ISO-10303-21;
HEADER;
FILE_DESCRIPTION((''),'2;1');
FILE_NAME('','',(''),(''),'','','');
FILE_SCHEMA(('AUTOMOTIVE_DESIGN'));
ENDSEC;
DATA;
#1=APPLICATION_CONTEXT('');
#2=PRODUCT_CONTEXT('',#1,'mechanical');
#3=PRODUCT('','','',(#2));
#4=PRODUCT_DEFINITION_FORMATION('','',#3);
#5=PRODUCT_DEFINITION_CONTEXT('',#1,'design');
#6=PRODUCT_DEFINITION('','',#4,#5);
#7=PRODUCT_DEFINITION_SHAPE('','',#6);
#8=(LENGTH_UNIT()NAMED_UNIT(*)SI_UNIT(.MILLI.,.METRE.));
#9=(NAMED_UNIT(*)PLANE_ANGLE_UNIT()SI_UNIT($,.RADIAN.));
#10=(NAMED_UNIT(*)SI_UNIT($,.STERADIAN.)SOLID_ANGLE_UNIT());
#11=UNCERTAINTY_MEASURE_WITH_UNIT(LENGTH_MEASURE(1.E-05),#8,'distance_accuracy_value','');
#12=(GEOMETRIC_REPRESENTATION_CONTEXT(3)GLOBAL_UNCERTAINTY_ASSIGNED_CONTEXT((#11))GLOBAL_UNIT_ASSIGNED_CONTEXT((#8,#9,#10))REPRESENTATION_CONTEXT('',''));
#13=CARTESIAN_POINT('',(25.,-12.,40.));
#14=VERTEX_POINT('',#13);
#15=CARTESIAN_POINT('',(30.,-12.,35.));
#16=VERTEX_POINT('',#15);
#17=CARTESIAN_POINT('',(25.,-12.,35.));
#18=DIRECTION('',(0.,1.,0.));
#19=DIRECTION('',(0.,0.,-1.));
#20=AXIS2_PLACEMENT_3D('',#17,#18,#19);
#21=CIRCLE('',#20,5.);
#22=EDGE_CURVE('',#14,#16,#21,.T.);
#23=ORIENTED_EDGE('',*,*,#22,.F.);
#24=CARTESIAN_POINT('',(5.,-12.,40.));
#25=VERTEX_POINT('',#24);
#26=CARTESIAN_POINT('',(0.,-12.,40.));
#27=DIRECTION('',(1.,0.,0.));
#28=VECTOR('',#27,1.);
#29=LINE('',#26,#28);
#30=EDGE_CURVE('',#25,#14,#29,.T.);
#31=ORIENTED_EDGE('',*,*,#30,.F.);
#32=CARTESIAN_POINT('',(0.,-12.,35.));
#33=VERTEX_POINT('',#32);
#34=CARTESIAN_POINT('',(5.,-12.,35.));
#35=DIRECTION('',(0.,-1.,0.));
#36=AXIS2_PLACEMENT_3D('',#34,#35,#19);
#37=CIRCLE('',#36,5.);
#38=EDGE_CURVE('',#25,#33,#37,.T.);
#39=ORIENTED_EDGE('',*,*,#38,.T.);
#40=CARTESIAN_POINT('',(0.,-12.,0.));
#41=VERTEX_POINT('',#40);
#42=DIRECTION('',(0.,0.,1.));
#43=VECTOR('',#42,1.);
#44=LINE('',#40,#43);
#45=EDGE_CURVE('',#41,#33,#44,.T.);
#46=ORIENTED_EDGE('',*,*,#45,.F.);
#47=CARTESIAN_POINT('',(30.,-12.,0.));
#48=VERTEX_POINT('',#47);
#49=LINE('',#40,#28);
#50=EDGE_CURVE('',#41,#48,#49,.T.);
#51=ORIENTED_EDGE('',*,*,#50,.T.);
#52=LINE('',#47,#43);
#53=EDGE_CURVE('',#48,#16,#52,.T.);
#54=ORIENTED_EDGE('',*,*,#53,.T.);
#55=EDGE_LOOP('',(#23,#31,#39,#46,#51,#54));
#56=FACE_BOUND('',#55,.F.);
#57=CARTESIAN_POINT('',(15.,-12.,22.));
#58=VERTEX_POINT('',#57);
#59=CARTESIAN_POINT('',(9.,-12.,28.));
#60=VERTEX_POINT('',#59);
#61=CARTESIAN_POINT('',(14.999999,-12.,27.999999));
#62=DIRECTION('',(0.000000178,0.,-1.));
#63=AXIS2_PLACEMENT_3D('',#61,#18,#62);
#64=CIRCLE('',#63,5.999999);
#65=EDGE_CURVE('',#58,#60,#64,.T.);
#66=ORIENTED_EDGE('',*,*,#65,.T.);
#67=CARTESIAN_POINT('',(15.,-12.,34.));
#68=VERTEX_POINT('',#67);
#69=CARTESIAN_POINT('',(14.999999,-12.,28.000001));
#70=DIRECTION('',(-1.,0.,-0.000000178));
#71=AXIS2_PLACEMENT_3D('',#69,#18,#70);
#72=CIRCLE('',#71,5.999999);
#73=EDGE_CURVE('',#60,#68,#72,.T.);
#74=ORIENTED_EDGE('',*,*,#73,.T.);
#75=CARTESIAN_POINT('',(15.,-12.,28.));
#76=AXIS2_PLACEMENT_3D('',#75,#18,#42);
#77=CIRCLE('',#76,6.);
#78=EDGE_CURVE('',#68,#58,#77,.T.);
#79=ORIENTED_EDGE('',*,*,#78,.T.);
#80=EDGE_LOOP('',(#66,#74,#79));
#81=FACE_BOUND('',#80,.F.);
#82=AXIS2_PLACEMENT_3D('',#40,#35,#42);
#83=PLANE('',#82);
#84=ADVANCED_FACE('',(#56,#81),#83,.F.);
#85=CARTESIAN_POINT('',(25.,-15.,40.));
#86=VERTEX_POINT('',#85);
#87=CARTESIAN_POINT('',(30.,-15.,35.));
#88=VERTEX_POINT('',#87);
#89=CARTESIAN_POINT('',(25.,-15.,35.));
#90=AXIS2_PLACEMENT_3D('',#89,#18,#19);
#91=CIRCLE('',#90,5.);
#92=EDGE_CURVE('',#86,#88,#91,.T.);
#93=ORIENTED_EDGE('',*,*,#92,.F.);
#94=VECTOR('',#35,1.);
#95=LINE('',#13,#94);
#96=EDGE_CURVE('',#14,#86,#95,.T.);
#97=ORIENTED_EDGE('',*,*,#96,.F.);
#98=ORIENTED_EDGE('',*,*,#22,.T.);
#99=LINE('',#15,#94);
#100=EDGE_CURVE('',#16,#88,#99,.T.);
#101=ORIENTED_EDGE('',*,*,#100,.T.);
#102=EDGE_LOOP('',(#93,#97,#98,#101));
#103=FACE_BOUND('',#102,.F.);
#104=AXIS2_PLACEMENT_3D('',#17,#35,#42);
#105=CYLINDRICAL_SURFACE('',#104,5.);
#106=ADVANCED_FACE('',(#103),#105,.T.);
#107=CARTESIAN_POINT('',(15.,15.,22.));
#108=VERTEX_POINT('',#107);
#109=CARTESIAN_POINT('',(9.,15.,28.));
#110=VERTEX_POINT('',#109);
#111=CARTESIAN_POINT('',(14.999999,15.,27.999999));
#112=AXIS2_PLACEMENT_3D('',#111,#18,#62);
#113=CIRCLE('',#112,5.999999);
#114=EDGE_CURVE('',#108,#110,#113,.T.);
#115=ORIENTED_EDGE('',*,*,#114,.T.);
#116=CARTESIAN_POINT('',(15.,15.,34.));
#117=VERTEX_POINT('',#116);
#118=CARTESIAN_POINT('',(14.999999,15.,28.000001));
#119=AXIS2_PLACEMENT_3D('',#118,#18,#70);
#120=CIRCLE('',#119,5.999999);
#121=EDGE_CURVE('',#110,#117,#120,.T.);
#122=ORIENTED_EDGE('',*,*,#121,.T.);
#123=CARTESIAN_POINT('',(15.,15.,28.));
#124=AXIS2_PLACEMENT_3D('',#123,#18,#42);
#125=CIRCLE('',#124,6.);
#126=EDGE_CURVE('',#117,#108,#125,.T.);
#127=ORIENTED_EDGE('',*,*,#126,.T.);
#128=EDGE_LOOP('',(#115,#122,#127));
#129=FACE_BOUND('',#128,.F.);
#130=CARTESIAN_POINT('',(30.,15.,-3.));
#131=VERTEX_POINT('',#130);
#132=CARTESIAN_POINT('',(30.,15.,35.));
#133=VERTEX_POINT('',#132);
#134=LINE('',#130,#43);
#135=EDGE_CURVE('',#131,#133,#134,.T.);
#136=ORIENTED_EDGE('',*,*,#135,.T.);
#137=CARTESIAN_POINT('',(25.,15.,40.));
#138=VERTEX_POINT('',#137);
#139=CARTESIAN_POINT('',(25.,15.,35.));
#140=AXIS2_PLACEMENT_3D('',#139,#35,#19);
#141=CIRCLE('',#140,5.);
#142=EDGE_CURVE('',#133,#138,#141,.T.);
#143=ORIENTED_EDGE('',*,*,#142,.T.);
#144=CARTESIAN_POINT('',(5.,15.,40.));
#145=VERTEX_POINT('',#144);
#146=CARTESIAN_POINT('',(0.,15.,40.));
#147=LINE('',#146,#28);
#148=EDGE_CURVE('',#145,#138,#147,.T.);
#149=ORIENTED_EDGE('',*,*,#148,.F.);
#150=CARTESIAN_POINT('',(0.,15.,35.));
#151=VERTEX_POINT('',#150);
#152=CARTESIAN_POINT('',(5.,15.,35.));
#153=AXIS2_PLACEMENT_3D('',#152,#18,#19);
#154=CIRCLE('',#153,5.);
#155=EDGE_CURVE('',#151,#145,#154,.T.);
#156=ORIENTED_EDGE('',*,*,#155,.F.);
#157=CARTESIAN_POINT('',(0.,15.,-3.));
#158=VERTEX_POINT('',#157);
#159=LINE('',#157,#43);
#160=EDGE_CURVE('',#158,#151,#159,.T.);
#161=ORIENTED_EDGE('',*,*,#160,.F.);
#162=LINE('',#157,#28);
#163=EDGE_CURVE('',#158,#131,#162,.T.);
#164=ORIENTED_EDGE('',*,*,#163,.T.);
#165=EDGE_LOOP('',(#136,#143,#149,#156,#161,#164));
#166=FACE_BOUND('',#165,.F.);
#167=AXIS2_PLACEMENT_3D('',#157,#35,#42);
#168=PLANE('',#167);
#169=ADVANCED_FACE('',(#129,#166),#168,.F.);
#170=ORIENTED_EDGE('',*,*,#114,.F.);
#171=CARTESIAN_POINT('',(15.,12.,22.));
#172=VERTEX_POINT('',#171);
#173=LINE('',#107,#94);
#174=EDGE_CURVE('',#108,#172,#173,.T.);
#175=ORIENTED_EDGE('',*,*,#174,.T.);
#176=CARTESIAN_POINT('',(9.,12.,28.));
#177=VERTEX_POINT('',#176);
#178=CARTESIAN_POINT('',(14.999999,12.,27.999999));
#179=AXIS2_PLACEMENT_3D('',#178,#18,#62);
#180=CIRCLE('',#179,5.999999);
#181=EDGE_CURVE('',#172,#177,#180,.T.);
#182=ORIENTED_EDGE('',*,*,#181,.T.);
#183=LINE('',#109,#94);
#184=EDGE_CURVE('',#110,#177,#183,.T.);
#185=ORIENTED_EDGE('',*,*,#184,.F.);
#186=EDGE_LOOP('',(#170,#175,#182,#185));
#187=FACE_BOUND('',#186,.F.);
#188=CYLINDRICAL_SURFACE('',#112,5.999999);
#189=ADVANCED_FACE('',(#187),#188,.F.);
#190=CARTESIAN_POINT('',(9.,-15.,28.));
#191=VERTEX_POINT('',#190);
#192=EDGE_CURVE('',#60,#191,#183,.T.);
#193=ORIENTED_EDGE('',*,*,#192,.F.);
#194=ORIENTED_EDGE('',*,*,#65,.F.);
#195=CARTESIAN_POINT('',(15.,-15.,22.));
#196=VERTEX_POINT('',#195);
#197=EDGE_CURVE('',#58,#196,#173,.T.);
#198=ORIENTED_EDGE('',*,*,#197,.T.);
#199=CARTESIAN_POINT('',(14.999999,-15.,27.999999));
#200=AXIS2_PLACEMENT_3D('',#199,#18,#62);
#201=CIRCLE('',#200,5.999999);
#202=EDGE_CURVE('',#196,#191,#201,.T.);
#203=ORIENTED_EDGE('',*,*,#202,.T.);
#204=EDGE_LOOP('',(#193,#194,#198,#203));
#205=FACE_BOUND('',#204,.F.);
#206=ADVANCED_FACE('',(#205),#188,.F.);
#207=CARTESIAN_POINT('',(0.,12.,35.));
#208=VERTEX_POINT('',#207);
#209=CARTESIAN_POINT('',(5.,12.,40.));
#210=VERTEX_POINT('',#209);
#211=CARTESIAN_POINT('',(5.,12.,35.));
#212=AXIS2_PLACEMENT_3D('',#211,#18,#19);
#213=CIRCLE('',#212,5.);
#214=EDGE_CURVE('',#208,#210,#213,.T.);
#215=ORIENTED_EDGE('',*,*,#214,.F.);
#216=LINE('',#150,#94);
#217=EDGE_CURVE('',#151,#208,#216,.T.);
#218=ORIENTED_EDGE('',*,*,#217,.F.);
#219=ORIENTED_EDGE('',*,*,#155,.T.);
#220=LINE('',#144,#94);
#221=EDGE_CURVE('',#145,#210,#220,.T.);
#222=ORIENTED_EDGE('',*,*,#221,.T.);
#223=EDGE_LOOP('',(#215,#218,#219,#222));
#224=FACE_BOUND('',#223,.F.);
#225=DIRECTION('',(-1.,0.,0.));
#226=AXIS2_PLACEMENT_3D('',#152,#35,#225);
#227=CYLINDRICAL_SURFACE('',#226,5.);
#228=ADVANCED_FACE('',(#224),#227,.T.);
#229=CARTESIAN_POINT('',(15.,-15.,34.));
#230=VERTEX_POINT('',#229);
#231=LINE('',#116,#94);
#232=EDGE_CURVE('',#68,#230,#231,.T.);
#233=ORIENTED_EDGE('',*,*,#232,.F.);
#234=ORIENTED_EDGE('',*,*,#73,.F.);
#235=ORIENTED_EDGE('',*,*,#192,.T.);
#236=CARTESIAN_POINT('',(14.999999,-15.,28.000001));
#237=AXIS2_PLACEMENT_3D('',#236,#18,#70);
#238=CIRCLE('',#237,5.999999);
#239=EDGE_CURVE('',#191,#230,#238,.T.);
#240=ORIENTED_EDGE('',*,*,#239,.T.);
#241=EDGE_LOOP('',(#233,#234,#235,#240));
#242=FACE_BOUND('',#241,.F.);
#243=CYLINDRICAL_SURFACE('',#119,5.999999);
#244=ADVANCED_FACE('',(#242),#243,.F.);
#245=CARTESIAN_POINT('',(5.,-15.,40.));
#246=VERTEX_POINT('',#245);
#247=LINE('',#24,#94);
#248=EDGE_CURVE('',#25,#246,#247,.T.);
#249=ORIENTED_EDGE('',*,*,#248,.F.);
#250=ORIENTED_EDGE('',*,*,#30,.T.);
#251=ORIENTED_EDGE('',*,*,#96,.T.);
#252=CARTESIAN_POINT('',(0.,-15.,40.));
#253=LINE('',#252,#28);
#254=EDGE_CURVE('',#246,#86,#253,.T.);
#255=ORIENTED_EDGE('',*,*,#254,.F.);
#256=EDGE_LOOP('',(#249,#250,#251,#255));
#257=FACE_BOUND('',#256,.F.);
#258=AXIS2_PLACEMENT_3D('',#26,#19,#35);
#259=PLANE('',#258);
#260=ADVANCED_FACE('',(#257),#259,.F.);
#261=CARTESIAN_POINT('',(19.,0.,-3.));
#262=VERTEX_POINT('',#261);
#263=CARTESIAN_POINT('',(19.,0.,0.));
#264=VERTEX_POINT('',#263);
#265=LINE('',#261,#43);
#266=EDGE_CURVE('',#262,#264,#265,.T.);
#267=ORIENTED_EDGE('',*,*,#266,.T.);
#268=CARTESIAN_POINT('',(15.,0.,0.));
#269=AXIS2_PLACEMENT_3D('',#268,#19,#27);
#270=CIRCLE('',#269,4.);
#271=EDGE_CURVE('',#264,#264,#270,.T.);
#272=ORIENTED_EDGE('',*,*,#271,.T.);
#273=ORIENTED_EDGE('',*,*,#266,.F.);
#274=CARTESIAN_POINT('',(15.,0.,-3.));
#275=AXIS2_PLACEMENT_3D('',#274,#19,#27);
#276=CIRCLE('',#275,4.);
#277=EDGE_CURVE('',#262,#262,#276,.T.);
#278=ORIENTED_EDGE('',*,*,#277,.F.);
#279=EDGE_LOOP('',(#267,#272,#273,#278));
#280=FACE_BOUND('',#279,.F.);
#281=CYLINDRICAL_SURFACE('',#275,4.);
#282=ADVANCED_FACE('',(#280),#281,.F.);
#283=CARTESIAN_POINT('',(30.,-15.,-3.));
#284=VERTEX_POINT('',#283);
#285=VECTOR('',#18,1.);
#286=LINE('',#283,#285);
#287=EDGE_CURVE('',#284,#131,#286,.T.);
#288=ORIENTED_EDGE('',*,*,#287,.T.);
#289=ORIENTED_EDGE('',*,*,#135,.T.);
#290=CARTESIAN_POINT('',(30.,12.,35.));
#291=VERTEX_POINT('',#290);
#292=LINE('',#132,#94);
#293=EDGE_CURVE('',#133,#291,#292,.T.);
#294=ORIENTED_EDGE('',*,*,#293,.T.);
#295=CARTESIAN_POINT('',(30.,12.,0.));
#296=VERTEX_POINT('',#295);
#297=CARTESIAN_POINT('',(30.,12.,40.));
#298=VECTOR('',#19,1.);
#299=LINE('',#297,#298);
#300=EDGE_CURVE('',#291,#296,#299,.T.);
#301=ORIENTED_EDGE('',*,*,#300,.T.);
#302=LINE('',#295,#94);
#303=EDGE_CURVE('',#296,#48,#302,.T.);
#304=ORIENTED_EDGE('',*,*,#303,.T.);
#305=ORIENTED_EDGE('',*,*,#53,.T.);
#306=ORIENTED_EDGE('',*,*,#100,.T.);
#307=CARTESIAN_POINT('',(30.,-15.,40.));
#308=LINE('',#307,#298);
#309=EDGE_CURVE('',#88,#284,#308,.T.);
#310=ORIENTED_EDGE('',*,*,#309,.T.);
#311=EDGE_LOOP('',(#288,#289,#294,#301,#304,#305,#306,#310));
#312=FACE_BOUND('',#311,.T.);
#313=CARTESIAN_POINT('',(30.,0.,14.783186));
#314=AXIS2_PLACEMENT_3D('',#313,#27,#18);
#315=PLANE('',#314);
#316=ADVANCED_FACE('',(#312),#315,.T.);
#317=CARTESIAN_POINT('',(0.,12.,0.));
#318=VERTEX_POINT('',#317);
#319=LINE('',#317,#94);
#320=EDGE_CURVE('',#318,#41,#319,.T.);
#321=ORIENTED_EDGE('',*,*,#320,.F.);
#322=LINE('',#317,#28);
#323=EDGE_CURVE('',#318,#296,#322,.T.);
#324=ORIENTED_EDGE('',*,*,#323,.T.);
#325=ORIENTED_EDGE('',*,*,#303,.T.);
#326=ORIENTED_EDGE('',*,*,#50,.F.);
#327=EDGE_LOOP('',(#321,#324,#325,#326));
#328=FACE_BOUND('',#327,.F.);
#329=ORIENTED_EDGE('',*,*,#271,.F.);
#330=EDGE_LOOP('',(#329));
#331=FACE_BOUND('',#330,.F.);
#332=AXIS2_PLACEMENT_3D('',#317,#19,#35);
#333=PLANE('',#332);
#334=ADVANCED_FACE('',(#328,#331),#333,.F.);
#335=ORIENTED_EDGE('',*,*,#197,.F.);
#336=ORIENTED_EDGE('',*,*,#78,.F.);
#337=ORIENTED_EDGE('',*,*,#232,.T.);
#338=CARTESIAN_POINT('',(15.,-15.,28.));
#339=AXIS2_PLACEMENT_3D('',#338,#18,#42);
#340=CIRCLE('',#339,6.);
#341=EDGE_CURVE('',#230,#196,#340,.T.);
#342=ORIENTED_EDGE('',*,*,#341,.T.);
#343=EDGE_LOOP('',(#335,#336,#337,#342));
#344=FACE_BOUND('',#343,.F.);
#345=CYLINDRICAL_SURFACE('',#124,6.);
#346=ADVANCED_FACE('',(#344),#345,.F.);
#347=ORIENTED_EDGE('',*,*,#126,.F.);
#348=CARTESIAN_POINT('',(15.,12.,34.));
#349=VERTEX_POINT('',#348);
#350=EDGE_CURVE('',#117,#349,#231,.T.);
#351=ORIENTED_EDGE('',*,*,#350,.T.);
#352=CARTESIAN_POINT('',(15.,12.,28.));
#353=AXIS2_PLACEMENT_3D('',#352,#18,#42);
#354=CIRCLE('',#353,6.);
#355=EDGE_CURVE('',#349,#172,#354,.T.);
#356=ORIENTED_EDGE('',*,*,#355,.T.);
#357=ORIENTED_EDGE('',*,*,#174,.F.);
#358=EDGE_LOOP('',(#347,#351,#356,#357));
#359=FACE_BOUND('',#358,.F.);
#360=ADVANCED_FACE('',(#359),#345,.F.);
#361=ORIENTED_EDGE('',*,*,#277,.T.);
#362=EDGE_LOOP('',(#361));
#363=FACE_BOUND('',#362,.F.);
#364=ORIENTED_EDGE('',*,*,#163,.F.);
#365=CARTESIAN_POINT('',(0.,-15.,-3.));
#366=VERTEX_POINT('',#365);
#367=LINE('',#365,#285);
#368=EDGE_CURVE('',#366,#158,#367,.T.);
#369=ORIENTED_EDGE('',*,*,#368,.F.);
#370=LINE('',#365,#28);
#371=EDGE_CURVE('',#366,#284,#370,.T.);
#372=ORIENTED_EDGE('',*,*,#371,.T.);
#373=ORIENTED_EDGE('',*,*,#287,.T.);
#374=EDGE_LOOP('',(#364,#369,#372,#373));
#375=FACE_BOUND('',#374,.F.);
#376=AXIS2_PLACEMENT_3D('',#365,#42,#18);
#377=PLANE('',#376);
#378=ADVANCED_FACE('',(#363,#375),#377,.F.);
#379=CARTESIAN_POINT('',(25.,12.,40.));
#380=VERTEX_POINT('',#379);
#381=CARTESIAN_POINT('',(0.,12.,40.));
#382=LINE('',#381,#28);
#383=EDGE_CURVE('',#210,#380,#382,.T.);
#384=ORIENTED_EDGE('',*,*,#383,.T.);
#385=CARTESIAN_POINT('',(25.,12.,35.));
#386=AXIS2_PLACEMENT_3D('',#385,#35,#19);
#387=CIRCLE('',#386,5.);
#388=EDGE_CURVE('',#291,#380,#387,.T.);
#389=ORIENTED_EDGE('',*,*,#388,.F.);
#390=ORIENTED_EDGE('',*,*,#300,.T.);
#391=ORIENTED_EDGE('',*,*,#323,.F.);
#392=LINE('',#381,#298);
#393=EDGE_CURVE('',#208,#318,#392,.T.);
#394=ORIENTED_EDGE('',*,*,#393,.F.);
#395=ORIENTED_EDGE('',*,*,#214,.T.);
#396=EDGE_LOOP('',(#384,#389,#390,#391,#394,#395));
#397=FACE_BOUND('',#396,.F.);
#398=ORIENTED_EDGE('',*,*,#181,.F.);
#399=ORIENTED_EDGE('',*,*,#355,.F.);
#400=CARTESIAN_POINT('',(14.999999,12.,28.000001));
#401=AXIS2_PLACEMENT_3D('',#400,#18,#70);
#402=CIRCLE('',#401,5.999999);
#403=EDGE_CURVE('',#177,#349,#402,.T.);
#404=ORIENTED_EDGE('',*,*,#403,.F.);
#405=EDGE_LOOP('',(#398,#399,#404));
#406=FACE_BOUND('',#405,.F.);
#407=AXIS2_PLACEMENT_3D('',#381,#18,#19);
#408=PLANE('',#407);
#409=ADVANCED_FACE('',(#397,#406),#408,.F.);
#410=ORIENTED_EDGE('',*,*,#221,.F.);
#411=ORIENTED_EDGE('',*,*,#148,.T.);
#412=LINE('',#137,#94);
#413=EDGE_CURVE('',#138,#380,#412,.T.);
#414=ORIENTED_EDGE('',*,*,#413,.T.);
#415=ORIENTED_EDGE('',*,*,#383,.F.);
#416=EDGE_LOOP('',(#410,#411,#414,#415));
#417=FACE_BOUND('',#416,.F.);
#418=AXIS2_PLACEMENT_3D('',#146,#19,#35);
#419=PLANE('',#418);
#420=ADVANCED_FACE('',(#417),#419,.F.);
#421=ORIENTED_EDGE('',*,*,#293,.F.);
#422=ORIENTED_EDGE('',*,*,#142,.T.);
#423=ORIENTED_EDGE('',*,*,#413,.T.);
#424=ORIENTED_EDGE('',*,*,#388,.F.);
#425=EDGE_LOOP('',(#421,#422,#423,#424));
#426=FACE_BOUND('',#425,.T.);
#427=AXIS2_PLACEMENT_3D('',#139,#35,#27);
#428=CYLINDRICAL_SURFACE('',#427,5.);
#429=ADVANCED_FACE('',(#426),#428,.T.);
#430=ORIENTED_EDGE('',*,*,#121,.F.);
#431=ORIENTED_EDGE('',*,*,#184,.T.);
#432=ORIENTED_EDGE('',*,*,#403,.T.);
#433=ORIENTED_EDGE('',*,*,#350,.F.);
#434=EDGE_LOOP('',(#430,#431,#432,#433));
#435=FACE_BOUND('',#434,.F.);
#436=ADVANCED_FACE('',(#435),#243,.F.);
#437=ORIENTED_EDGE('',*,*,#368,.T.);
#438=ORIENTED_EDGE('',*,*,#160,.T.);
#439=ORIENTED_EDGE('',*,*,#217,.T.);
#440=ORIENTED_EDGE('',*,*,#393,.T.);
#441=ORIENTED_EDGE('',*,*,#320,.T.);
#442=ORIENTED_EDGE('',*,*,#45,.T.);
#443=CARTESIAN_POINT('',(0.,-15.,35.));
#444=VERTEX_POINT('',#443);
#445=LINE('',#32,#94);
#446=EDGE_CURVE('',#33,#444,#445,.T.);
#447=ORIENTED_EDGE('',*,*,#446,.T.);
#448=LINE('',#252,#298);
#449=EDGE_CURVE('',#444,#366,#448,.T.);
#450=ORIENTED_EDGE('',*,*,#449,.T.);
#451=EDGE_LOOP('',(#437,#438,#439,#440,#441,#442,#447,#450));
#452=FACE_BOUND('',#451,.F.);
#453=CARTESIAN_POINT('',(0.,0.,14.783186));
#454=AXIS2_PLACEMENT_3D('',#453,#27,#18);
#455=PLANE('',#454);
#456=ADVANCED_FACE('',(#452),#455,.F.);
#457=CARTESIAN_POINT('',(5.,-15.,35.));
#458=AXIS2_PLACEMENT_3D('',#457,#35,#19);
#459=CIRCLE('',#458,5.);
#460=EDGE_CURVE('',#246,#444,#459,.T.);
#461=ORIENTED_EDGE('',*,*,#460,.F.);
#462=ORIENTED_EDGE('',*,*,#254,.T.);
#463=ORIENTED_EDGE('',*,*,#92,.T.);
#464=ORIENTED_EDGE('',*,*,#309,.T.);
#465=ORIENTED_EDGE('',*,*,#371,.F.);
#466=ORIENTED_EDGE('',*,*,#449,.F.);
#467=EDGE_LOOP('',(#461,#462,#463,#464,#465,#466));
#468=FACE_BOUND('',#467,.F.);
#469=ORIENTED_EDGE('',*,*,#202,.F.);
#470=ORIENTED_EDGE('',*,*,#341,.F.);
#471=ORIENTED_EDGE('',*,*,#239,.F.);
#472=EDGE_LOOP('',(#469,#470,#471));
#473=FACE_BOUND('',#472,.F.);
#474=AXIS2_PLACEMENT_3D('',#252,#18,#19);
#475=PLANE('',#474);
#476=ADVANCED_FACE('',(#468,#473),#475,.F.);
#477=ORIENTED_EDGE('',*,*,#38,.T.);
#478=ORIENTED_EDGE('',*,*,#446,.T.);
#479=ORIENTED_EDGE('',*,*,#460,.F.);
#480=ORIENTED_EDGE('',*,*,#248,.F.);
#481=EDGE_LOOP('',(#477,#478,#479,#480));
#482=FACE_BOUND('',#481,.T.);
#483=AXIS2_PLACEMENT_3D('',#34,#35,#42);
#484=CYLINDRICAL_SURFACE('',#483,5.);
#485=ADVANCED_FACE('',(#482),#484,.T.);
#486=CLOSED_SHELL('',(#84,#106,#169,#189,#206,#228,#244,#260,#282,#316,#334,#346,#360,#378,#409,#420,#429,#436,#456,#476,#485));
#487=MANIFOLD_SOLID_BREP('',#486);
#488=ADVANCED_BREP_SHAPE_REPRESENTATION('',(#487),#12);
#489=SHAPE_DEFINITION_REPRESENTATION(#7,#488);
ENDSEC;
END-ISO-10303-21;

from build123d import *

# Parameters (mm, degrees)
F1_DEPTH = 30
F3_DEPTH = 30.001
F4_R     = 5
F5_R     = 4
F6_DEPTH = 43.001


with BuildPart() as f1:
    # F0 (on Right) → F1 (new body)
    with BuildSketch(Plane.YZ):
        Polygon((-12, 40), (-15, 40), (-15, -3), (15, -3), (15, 40), (12, 40), (12, 0), (-12, 0), align=None)
    extrude(amount=F1_DEPTH)

    # F2 (on face) → F3 (cut, through all)
    with BuildSketch(Plane(origin=(0, 15, 0), x_dir=(-1, 0, 0), z_dir=(0, 1, 0))):
        with BuildLine():
            ThreePointArc((-15, 22), (-10.757359, 23.757359), (-9, 28))
            ThreePointArc((-9, 28), (-10.757359, 32.242641), (-15, 34))
            Line((-15, 34), (-15, 22))
        make_face()
        with BuildLine():
            Line((-15, 22), (-15, 34))
            ThreePointArc((-15, 34), (-21, 28), (-15, 22))
        make_face()
    extrude(amount=-F3_DEPTH, mode=Mode.SUBTRACT)

    # F4
    f4_edges = [f1.edges().sort_by_distance(p)[0] for p in [
        (0, 13.5, 40),
        (0, -13.5, 40),
        (30, 13.5, 40),
        (30, -13.5, 40),
    ]]
    fillet(f4_edges, radius=F4_R)

    # F5 (on face) → F6 (cut, through all)
    with BuildSketch(Plane(origin=(0, 0, -3), x_dir=(1, 0, 0), z_dir=(0, 0, -1))):
        with Locations((15, 0)):
            Circle(F5_R)
    extrude(amount=-F6_DEPTH, mode=Mode.SUBTRACT)


solid = f1.part
